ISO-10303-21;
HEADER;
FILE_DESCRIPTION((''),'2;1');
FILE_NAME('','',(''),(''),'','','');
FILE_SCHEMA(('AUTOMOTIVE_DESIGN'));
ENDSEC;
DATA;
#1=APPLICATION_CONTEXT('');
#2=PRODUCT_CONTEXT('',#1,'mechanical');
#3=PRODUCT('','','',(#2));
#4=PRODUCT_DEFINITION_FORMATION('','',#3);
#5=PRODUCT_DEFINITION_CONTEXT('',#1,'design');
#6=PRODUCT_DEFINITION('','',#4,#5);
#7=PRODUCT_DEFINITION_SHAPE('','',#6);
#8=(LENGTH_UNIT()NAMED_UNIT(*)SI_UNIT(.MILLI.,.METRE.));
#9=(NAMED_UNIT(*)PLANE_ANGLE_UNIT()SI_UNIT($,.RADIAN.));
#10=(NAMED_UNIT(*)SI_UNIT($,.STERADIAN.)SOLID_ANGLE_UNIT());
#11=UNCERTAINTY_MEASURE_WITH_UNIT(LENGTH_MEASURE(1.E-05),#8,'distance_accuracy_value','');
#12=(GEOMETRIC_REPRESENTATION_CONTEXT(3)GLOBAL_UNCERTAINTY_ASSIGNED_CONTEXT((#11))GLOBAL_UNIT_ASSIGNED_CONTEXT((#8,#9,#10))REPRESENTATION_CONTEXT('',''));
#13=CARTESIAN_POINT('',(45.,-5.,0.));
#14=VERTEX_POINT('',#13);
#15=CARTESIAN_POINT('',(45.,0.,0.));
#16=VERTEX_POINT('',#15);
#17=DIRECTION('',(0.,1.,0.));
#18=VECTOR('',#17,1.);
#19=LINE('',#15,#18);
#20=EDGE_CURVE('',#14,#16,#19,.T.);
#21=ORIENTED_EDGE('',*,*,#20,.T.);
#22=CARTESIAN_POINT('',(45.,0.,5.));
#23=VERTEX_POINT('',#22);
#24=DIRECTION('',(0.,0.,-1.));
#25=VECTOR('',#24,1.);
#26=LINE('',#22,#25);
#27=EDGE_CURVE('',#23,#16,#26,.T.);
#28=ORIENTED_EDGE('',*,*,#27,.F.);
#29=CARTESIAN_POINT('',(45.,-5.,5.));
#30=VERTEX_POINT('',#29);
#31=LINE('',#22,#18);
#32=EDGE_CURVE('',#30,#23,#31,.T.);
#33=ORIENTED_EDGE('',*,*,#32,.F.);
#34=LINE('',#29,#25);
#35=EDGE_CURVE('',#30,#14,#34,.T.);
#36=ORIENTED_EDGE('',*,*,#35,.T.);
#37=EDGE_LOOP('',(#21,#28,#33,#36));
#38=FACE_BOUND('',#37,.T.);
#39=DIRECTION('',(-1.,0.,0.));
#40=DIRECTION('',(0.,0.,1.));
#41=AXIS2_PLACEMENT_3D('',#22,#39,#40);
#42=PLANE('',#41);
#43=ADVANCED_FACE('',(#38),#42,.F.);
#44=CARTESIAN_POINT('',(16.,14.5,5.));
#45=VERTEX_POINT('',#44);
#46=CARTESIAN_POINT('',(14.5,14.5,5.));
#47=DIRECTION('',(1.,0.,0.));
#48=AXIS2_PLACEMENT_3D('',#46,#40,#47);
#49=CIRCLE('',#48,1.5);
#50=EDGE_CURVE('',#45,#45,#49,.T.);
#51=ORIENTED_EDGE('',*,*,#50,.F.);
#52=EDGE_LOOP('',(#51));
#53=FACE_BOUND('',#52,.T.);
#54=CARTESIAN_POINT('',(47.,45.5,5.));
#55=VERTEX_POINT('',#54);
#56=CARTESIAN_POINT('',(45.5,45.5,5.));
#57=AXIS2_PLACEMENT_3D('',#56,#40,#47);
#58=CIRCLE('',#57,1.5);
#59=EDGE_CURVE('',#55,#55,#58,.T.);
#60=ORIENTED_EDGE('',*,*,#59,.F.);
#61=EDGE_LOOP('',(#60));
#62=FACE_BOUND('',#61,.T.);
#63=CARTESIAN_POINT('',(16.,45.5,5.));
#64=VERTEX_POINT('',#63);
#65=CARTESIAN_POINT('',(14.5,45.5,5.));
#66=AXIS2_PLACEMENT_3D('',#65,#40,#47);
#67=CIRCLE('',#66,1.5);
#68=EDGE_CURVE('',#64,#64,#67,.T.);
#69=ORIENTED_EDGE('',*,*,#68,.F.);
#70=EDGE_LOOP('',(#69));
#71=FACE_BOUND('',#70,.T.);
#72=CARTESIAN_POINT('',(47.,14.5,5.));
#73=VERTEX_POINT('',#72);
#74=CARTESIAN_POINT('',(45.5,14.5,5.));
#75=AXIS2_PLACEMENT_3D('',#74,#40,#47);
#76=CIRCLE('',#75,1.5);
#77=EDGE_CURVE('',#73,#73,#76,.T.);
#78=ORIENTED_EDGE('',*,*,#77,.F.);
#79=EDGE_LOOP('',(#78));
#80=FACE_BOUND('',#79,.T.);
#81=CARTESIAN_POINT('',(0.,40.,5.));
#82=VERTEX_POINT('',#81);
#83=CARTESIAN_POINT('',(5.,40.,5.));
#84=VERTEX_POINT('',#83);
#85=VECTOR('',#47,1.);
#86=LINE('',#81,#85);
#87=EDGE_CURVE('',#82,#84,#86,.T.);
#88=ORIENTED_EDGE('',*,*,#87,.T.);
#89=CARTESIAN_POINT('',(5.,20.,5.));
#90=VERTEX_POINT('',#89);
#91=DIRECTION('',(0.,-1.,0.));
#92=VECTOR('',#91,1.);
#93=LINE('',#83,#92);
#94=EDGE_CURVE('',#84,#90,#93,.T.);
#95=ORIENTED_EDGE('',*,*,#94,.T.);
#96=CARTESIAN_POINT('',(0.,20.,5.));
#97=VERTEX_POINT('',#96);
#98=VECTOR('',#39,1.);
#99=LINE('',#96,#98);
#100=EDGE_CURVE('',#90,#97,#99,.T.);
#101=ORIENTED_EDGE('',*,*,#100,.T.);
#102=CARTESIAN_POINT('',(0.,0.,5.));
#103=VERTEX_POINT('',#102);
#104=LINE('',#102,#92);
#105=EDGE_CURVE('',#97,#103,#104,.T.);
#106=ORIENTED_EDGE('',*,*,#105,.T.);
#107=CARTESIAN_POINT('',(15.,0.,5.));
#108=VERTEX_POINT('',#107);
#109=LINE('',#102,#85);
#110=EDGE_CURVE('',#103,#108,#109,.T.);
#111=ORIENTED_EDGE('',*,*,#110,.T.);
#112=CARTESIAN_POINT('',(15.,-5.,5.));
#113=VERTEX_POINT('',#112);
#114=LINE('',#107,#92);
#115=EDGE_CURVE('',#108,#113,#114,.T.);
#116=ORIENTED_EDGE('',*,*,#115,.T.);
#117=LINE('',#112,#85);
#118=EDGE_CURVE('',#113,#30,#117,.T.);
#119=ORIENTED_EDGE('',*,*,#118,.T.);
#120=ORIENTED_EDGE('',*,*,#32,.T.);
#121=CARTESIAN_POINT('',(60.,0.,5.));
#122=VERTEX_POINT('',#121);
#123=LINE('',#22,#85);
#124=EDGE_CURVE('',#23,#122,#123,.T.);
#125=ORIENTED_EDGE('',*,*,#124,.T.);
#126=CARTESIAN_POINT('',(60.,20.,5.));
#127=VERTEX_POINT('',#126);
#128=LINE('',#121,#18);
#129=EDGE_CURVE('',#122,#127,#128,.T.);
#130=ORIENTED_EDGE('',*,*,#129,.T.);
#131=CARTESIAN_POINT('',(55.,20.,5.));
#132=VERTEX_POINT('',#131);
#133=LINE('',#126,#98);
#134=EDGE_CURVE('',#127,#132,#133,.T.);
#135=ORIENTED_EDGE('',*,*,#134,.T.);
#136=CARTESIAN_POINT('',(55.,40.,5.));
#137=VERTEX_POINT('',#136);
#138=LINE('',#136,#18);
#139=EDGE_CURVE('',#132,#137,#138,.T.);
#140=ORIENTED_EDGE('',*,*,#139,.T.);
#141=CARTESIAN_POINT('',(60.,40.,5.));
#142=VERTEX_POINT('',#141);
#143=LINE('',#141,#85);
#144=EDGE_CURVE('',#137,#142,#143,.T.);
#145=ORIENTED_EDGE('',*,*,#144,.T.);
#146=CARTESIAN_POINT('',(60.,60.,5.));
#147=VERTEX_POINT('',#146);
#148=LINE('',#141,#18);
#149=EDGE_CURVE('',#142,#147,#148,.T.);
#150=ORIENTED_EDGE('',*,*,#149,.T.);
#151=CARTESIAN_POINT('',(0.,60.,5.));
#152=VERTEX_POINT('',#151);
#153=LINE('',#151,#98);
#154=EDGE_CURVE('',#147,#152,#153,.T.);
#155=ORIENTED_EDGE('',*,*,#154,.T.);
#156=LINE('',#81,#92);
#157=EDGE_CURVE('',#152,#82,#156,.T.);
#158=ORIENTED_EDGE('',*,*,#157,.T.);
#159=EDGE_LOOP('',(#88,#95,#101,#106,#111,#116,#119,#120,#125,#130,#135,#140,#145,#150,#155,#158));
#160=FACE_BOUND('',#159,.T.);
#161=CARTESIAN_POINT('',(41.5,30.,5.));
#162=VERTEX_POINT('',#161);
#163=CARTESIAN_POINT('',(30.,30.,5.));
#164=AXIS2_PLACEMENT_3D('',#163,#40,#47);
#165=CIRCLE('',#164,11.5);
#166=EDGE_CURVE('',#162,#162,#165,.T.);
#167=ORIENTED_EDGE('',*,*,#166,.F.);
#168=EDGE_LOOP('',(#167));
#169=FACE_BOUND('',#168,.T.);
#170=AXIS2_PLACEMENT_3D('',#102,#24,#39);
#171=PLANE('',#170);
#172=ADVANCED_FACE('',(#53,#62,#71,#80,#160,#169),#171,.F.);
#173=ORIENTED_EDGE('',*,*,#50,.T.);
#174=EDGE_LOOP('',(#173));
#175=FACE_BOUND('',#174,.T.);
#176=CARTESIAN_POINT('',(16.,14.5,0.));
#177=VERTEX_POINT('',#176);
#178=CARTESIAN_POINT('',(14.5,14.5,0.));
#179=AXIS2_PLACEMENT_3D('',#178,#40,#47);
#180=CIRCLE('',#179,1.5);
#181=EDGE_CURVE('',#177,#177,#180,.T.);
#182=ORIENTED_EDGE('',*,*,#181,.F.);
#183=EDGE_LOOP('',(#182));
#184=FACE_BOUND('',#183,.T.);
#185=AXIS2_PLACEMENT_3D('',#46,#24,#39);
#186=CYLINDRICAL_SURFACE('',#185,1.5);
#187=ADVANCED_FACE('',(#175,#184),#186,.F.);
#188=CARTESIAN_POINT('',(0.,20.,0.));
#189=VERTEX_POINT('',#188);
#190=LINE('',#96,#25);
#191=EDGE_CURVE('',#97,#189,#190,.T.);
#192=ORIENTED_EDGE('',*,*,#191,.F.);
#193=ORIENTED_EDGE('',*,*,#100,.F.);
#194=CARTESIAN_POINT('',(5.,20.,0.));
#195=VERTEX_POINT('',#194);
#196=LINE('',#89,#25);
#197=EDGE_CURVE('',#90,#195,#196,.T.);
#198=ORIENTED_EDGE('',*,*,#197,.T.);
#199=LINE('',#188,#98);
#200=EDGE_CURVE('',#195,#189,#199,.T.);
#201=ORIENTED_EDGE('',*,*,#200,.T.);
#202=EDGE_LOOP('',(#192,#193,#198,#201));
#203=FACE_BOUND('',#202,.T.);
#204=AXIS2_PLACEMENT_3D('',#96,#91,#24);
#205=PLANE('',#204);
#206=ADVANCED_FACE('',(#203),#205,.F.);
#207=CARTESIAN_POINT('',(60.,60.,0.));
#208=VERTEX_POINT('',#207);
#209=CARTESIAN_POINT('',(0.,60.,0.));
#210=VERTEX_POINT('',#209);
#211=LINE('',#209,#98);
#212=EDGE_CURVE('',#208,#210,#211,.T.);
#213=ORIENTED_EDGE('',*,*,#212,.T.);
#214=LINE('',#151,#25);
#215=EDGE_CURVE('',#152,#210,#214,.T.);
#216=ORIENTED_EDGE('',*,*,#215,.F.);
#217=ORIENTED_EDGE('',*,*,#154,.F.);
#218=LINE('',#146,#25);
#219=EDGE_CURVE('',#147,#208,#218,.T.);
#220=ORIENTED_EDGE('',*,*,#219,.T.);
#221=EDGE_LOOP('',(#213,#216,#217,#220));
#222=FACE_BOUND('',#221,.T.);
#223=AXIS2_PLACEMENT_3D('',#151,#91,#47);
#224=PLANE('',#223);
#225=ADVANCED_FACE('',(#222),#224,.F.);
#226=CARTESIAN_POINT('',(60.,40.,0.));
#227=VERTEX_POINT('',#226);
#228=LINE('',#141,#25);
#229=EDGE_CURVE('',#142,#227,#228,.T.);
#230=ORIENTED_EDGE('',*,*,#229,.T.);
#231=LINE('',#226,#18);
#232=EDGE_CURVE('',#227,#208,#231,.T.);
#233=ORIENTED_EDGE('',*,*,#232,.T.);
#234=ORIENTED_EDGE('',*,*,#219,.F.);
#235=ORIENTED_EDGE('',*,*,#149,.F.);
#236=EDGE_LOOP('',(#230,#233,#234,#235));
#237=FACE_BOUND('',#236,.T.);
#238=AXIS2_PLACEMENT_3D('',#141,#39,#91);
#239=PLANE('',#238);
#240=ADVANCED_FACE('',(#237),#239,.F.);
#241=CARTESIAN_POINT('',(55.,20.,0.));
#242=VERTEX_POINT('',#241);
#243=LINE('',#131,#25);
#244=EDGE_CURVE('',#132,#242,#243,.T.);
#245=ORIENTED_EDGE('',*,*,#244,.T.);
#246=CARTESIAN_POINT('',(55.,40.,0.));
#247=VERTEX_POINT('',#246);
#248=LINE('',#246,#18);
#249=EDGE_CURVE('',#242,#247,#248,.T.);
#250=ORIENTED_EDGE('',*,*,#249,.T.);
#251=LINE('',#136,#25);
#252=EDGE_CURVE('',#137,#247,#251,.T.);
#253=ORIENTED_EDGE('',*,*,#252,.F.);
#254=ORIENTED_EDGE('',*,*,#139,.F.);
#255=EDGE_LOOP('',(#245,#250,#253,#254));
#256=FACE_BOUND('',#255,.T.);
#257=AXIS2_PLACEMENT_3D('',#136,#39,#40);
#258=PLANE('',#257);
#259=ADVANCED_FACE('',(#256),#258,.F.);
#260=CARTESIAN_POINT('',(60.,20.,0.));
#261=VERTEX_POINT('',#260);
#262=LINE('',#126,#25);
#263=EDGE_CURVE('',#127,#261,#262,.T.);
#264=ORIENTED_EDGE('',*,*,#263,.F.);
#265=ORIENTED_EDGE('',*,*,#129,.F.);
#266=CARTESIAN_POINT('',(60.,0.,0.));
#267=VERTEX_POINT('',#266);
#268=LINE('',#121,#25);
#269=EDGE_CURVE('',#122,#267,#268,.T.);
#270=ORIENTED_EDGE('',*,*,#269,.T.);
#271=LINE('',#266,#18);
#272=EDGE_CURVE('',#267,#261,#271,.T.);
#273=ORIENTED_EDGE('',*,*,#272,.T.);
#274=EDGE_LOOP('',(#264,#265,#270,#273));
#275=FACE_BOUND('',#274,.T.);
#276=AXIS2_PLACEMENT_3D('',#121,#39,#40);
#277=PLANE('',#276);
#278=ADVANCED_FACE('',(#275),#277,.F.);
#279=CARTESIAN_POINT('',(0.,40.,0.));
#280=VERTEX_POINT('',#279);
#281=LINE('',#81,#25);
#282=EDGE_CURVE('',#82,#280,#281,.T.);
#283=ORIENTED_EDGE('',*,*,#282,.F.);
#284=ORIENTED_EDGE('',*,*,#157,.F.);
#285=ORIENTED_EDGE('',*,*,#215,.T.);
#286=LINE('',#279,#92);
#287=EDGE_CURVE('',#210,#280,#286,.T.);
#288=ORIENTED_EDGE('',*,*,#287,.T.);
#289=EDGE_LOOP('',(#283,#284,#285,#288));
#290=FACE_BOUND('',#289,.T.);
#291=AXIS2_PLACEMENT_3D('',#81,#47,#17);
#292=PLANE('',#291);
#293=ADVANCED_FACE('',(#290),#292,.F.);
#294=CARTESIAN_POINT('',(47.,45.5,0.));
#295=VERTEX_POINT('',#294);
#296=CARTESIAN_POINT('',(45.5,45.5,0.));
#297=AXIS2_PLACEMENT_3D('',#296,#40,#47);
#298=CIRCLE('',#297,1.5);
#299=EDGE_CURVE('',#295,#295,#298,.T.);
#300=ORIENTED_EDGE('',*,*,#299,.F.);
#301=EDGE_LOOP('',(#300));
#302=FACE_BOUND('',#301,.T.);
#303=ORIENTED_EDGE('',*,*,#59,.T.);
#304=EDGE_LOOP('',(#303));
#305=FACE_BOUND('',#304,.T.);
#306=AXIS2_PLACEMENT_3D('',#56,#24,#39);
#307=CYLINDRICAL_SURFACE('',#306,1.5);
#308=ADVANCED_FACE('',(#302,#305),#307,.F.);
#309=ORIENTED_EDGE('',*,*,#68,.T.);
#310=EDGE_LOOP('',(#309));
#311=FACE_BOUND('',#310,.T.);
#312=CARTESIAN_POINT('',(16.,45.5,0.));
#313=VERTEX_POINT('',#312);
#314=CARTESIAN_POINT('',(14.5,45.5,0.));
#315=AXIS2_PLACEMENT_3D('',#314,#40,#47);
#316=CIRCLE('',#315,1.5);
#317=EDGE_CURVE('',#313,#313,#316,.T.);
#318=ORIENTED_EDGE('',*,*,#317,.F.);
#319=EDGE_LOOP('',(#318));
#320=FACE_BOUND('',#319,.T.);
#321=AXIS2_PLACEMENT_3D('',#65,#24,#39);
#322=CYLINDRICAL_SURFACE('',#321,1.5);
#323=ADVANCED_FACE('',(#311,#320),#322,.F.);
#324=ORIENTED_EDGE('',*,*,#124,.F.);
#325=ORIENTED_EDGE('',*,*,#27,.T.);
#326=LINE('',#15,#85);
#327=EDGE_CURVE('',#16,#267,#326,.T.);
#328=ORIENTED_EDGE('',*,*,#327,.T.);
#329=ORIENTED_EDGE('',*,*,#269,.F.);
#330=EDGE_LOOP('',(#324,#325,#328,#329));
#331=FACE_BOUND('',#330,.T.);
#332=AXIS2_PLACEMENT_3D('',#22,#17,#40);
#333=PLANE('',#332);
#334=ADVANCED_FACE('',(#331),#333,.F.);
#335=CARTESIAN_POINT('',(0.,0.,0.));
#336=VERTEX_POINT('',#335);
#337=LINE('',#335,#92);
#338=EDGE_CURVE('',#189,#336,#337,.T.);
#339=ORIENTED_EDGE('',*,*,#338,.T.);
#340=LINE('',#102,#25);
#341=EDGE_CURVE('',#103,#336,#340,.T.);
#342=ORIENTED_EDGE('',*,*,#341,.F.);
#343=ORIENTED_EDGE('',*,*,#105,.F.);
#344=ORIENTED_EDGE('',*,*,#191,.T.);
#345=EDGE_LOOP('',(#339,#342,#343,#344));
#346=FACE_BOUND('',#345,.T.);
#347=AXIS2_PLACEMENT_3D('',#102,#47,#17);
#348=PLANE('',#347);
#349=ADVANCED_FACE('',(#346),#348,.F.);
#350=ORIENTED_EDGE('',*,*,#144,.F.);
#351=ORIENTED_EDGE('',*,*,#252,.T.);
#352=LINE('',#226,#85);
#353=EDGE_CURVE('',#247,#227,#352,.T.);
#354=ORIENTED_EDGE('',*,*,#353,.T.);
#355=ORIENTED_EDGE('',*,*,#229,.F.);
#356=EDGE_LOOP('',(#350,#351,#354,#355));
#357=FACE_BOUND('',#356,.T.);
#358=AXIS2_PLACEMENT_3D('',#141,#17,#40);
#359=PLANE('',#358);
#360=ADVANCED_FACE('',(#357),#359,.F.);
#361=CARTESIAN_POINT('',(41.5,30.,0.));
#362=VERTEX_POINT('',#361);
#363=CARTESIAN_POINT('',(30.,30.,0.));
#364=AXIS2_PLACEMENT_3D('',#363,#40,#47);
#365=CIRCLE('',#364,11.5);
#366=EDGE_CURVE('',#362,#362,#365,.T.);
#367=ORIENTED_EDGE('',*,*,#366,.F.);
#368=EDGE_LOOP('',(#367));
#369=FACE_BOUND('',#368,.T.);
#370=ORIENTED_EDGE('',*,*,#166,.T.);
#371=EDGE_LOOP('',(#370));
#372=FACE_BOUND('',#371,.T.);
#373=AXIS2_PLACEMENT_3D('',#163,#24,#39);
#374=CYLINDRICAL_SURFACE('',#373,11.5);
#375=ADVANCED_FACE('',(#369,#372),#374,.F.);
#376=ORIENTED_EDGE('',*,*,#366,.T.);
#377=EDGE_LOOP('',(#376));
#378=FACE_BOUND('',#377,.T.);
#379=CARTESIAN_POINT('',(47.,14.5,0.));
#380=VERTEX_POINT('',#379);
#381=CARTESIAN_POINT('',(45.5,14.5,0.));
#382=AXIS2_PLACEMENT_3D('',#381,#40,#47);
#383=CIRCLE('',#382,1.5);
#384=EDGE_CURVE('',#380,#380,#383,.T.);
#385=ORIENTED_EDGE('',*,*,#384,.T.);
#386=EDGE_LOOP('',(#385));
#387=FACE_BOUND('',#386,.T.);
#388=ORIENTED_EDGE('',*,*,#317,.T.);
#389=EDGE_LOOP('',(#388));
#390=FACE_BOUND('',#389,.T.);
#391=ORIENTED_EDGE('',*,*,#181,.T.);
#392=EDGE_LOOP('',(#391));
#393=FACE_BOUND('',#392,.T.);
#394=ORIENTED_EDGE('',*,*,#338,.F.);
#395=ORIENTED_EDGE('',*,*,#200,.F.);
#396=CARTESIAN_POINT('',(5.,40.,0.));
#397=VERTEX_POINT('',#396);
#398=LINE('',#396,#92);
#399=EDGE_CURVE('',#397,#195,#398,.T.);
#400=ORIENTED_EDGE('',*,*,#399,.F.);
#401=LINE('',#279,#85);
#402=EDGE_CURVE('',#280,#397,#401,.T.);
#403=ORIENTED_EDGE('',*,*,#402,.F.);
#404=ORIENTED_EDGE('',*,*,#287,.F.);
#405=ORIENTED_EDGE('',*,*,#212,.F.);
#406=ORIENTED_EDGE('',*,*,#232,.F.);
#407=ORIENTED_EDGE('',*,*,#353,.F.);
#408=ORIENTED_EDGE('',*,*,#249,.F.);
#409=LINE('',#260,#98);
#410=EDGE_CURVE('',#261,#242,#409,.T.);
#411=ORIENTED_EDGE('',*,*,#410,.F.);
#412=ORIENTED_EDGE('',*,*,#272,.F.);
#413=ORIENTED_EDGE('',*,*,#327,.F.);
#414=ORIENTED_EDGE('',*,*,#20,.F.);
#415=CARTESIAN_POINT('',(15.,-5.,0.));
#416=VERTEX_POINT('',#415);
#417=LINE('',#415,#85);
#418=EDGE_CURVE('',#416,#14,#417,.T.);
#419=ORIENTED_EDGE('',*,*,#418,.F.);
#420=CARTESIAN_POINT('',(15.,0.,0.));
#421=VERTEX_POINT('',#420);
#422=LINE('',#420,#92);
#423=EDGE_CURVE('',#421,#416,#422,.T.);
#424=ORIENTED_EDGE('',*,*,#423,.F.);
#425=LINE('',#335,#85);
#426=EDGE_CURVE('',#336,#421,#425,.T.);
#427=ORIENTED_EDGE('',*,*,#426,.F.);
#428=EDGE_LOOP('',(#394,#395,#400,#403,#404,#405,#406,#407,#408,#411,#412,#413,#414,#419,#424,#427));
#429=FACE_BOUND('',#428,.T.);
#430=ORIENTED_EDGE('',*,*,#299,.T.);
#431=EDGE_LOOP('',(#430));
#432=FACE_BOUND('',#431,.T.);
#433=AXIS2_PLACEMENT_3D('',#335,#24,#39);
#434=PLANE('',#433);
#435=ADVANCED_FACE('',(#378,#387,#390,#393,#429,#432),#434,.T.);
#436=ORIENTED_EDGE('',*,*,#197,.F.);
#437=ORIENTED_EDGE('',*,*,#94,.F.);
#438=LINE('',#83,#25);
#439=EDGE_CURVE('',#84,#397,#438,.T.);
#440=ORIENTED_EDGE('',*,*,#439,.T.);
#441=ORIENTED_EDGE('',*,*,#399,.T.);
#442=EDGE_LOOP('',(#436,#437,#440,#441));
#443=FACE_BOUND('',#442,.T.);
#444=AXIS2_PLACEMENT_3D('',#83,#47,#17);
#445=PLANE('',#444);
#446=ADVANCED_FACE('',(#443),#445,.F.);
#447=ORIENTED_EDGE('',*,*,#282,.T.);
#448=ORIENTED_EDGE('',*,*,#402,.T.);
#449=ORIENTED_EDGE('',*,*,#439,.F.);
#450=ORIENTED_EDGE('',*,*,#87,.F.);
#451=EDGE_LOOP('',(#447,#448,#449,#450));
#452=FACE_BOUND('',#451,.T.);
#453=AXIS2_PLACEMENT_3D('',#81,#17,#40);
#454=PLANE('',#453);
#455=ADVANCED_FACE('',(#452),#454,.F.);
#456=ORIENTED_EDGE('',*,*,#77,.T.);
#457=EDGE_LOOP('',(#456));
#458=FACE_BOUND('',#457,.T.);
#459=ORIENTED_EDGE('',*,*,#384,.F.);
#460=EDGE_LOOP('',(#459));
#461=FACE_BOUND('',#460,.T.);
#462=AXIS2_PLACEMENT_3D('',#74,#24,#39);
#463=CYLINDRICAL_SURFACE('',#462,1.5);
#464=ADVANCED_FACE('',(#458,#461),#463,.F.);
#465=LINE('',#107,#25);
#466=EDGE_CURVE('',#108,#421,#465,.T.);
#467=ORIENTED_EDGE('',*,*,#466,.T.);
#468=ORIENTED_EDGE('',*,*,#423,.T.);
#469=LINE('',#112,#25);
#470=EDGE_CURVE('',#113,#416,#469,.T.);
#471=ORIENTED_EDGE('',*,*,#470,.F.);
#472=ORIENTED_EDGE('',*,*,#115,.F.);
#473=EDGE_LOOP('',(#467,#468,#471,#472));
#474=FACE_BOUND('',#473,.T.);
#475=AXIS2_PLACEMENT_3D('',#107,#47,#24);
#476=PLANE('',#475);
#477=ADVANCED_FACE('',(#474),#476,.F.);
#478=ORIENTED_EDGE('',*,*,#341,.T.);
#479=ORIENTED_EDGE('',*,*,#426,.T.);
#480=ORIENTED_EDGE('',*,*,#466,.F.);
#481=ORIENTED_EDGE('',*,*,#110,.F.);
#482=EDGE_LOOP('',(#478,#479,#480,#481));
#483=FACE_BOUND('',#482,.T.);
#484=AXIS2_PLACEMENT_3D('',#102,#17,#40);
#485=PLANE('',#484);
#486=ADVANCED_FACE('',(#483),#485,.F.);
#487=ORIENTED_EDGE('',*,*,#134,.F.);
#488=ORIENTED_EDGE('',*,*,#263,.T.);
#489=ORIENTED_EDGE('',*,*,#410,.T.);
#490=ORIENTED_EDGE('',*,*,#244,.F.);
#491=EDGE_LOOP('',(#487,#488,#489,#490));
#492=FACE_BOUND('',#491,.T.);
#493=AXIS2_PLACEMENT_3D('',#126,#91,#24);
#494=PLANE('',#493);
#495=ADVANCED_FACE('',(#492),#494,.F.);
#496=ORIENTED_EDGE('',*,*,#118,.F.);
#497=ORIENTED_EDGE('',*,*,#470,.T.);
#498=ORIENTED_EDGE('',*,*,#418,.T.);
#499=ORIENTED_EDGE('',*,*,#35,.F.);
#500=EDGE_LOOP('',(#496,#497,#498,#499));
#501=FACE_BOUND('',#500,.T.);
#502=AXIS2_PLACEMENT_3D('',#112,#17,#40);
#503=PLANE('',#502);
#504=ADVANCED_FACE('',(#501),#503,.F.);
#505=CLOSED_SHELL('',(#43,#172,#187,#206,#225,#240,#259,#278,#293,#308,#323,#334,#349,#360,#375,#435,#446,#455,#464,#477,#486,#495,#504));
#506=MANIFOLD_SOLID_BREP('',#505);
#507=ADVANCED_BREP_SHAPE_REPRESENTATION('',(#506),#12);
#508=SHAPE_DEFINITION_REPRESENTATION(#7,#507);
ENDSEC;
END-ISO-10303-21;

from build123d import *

# Parameters (mm, degrees)
SKETCH_1_R      = 11.5
SKETCH_1_R_2    = 1.5
EXTRUDE_1_DEPTH = 5


with BuildPart() as part:
    # 草图1 → 凸台-拉伸1 (new body)
    with BuildSketch(Plane.XY):
        Polygon((0, 40), (0, 60), (60, 60), (60, 40), (55, 40), (55, 20), (60, 20), (60, 0), (45, 0), (45, -5), (15, -5), (15, 0), (0, 0), (0, 20), (5, 20), (5, 40), align=None)
        with Locations((30, 30)):
            Circle(SKETCH_1_R, mode=Mode.SUBTRACT)
        with Locations((14.5, 45.5)):
            Circle(SKETCH_1_R_2, mode=Mode.SUBTRACT)
        with Locations((45.5, 45.5)):
            Circle(SKETCH_1_R_2, mode=Mode.SUBTRACT)
        with Locations((45.5, 14.5)):
            Circle(SKETCH_1_R_2, mode=Mode.SUBTRACT)
        with Locations((14.5, 14.5)):
            Circle(SKETCH_1_R_2, mode=Mode.SUBTRACT)
    extrude(amount=EXTRUDE_1_DEPTH)


solid = part.part
